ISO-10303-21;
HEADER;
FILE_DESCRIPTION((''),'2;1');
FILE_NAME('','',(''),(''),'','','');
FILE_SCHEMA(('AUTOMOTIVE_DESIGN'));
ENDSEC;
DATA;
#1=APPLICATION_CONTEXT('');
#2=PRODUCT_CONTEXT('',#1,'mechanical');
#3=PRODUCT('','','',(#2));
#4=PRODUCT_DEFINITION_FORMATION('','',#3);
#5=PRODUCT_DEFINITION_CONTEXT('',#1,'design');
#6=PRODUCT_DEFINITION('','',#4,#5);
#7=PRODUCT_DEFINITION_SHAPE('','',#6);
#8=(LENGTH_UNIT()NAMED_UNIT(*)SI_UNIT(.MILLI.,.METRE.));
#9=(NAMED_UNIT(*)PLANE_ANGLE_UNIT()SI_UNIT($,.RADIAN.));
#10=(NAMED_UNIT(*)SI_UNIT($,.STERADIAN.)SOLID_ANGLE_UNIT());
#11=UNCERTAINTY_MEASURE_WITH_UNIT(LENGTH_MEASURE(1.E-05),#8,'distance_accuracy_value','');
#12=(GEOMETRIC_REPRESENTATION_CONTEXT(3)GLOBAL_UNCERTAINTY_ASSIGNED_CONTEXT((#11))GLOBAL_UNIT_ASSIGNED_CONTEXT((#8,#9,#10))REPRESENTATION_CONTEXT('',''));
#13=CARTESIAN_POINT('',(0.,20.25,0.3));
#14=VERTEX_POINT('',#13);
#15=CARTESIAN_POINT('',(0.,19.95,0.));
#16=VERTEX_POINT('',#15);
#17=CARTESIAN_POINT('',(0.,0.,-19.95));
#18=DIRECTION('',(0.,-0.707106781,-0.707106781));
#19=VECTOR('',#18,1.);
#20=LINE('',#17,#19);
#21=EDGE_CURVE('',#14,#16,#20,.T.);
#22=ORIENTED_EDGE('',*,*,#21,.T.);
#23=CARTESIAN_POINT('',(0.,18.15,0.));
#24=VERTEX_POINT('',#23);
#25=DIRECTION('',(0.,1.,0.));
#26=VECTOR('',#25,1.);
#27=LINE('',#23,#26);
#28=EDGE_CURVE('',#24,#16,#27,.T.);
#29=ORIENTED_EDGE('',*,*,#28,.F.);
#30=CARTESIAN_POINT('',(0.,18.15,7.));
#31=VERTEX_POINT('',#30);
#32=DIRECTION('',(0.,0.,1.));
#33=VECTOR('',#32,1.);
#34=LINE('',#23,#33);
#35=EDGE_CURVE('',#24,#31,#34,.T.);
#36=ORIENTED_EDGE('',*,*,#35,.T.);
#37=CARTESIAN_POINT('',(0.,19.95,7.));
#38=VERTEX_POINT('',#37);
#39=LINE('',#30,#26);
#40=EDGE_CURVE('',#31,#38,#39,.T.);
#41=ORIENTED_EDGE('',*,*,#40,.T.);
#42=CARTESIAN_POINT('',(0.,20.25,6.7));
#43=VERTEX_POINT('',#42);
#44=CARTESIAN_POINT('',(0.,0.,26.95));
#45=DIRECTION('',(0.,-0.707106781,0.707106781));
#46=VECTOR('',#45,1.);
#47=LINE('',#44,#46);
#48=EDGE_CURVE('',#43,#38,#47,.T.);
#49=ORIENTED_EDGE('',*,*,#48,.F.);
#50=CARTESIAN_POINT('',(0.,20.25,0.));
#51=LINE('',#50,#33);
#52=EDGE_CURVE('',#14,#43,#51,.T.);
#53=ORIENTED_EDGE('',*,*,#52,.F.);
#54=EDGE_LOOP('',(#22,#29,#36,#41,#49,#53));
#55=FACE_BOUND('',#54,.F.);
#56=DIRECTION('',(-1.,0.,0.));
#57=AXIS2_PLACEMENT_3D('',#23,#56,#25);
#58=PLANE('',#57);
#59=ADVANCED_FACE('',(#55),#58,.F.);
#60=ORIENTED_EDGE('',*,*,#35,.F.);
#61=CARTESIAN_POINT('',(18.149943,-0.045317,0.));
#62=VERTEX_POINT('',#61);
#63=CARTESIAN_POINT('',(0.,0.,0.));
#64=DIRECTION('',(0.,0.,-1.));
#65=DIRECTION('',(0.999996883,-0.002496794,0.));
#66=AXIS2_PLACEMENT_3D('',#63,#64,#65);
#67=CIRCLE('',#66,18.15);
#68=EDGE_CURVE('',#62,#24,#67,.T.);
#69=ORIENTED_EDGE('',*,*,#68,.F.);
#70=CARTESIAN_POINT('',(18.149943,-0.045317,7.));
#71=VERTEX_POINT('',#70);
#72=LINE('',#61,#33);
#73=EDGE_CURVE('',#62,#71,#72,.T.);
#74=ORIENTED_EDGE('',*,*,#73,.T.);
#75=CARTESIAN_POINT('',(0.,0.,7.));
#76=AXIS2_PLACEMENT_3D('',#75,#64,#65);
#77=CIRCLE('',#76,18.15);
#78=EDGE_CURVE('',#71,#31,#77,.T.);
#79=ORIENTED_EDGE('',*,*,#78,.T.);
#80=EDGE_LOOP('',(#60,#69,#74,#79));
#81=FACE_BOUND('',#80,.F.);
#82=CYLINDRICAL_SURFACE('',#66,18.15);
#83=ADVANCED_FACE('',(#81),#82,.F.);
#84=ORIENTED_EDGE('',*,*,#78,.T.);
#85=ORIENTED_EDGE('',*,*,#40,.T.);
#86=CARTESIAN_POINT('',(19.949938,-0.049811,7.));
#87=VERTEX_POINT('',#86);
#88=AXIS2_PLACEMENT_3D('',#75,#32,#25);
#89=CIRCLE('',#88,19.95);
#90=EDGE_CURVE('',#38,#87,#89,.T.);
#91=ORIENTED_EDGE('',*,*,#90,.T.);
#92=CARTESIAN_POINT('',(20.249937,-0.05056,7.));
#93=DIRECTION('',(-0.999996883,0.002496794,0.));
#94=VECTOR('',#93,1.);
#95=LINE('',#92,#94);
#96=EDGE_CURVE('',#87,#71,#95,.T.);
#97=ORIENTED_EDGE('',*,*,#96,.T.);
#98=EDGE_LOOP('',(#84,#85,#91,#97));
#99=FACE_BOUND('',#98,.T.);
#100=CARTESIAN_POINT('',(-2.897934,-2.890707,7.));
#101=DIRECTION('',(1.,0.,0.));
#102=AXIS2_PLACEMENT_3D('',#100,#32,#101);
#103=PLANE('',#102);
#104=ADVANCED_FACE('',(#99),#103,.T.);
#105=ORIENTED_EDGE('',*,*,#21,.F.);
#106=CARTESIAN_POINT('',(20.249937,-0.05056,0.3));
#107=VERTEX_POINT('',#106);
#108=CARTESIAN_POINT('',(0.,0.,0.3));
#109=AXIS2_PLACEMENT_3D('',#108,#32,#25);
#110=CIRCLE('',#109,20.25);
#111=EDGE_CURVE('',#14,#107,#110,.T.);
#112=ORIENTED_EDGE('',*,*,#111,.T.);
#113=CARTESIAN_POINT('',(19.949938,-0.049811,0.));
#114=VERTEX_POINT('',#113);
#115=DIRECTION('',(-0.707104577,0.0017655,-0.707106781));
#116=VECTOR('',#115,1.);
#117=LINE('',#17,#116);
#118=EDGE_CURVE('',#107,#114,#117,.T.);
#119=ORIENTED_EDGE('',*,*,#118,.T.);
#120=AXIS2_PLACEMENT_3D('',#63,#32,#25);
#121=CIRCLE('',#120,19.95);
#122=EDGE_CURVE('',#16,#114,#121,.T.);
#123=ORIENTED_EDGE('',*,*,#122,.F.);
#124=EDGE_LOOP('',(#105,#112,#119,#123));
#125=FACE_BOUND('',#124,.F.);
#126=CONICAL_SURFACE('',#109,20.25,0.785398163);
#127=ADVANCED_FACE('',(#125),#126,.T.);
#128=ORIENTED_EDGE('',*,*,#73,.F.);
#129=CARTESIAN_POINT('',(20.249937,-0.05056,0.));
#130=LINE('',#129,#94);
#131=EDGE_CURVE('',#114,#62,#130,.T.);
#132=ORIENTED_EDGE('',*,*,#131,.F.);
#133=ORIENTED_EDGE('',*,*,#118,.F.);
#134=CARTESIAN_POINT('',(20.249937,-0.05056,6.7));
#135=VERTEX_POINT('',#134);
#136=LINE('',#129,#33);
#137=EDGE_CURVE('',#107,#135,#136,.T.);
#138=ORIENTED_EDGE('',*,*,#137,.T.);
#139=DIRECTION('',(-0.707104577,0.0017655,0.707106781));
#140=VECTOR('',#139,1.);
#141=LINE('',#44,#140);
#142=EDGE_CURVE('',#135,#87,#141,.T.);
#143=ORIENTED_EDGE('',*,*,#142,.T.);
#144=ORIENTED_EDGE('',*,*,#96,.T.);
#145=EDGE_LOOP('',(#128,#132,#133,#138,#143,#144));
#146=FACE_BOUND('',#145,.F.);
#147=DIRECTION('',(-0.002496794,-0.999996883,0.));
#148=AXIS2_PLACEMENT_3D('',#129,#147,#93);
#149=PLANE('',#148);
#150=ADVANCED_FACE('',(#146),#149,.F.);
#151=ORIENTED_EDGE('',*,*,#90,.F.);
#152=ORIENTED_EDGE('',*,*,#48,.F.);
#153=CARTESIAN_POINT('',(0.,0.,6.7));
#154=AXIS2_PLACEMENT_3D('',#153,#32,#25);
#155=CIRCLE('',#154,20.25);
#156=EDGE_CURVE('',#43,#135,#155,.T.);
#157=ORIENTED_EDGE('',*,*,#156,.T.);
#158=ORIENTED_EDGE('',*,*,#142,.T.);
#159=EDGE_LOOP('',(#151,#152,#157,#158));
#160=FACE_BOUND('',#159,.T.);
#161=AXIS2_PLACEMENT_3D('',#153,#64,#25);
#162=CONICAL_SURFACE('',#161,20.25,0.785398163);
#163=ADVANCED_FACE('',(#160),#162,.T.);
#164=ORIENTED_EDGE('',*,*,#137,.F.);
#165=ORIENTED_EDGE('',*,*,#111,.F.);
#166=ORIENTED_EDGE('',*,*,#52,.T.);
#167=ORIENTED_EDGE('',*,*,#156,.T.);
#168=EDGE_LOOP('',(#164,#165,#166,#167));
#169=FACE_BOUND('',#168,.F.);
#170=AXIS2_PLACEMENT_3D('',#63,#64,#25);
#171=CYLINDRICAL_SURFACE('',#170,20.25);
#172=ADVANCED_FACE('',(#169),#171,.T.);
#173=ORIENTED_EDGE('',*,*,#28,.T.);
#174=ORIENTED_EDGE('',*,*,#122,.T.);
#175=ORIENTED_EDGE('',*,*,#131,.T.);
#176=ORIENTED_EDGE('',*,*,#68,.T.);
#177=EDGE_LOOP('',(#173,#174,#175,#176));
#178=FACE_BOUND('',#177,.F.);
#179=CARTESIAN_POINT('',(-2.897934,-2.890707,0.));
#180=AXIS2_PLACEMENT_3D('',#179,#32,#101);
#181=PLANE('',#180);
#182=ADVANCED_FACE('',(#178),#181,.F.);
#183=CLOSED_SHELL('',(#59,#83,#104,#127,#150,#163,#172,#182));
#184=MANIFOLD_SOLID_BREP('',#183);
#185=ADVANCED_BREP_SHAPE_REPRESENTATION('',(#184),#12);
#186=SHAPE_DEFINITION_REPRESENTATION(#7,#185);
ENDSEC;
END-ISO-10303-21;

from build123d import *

# Parameters (mm, degrees)
F1_DEPTH = 7
F2_SIZE  = 0.3


with BuildPart() as f1:
    # F0 (on Top) → F1 (new body)
    with BuildSketch(Plane.XY):
        with BuildLine():
            ThreePointArc((18.1499434266, -0.0453168044), (-12.85, -12.8179561553), (0, 18.15))
            Line((0, 18.15), (0, 20.25))
            ThreePointArc((0, 20.25), (-14.3367768595, -14.3010254626), (20.2499368809, -0.050560071))
            Line((20.2499368809, -0.050560071), (18.1499434266, -0.0453168044))
        make_face()
    extrude(amount=F1_DEPTH)

    # F2
    f2_edges = [f1.edges().sort_by_distance(p)[0] for p in [
        (-14.336777, -14.301025, 7),
        (-14.336777, -14.301025, 0),
    ]]
    chamfer(f2_edges, length=F2_SIZE)


solid = f1.part
